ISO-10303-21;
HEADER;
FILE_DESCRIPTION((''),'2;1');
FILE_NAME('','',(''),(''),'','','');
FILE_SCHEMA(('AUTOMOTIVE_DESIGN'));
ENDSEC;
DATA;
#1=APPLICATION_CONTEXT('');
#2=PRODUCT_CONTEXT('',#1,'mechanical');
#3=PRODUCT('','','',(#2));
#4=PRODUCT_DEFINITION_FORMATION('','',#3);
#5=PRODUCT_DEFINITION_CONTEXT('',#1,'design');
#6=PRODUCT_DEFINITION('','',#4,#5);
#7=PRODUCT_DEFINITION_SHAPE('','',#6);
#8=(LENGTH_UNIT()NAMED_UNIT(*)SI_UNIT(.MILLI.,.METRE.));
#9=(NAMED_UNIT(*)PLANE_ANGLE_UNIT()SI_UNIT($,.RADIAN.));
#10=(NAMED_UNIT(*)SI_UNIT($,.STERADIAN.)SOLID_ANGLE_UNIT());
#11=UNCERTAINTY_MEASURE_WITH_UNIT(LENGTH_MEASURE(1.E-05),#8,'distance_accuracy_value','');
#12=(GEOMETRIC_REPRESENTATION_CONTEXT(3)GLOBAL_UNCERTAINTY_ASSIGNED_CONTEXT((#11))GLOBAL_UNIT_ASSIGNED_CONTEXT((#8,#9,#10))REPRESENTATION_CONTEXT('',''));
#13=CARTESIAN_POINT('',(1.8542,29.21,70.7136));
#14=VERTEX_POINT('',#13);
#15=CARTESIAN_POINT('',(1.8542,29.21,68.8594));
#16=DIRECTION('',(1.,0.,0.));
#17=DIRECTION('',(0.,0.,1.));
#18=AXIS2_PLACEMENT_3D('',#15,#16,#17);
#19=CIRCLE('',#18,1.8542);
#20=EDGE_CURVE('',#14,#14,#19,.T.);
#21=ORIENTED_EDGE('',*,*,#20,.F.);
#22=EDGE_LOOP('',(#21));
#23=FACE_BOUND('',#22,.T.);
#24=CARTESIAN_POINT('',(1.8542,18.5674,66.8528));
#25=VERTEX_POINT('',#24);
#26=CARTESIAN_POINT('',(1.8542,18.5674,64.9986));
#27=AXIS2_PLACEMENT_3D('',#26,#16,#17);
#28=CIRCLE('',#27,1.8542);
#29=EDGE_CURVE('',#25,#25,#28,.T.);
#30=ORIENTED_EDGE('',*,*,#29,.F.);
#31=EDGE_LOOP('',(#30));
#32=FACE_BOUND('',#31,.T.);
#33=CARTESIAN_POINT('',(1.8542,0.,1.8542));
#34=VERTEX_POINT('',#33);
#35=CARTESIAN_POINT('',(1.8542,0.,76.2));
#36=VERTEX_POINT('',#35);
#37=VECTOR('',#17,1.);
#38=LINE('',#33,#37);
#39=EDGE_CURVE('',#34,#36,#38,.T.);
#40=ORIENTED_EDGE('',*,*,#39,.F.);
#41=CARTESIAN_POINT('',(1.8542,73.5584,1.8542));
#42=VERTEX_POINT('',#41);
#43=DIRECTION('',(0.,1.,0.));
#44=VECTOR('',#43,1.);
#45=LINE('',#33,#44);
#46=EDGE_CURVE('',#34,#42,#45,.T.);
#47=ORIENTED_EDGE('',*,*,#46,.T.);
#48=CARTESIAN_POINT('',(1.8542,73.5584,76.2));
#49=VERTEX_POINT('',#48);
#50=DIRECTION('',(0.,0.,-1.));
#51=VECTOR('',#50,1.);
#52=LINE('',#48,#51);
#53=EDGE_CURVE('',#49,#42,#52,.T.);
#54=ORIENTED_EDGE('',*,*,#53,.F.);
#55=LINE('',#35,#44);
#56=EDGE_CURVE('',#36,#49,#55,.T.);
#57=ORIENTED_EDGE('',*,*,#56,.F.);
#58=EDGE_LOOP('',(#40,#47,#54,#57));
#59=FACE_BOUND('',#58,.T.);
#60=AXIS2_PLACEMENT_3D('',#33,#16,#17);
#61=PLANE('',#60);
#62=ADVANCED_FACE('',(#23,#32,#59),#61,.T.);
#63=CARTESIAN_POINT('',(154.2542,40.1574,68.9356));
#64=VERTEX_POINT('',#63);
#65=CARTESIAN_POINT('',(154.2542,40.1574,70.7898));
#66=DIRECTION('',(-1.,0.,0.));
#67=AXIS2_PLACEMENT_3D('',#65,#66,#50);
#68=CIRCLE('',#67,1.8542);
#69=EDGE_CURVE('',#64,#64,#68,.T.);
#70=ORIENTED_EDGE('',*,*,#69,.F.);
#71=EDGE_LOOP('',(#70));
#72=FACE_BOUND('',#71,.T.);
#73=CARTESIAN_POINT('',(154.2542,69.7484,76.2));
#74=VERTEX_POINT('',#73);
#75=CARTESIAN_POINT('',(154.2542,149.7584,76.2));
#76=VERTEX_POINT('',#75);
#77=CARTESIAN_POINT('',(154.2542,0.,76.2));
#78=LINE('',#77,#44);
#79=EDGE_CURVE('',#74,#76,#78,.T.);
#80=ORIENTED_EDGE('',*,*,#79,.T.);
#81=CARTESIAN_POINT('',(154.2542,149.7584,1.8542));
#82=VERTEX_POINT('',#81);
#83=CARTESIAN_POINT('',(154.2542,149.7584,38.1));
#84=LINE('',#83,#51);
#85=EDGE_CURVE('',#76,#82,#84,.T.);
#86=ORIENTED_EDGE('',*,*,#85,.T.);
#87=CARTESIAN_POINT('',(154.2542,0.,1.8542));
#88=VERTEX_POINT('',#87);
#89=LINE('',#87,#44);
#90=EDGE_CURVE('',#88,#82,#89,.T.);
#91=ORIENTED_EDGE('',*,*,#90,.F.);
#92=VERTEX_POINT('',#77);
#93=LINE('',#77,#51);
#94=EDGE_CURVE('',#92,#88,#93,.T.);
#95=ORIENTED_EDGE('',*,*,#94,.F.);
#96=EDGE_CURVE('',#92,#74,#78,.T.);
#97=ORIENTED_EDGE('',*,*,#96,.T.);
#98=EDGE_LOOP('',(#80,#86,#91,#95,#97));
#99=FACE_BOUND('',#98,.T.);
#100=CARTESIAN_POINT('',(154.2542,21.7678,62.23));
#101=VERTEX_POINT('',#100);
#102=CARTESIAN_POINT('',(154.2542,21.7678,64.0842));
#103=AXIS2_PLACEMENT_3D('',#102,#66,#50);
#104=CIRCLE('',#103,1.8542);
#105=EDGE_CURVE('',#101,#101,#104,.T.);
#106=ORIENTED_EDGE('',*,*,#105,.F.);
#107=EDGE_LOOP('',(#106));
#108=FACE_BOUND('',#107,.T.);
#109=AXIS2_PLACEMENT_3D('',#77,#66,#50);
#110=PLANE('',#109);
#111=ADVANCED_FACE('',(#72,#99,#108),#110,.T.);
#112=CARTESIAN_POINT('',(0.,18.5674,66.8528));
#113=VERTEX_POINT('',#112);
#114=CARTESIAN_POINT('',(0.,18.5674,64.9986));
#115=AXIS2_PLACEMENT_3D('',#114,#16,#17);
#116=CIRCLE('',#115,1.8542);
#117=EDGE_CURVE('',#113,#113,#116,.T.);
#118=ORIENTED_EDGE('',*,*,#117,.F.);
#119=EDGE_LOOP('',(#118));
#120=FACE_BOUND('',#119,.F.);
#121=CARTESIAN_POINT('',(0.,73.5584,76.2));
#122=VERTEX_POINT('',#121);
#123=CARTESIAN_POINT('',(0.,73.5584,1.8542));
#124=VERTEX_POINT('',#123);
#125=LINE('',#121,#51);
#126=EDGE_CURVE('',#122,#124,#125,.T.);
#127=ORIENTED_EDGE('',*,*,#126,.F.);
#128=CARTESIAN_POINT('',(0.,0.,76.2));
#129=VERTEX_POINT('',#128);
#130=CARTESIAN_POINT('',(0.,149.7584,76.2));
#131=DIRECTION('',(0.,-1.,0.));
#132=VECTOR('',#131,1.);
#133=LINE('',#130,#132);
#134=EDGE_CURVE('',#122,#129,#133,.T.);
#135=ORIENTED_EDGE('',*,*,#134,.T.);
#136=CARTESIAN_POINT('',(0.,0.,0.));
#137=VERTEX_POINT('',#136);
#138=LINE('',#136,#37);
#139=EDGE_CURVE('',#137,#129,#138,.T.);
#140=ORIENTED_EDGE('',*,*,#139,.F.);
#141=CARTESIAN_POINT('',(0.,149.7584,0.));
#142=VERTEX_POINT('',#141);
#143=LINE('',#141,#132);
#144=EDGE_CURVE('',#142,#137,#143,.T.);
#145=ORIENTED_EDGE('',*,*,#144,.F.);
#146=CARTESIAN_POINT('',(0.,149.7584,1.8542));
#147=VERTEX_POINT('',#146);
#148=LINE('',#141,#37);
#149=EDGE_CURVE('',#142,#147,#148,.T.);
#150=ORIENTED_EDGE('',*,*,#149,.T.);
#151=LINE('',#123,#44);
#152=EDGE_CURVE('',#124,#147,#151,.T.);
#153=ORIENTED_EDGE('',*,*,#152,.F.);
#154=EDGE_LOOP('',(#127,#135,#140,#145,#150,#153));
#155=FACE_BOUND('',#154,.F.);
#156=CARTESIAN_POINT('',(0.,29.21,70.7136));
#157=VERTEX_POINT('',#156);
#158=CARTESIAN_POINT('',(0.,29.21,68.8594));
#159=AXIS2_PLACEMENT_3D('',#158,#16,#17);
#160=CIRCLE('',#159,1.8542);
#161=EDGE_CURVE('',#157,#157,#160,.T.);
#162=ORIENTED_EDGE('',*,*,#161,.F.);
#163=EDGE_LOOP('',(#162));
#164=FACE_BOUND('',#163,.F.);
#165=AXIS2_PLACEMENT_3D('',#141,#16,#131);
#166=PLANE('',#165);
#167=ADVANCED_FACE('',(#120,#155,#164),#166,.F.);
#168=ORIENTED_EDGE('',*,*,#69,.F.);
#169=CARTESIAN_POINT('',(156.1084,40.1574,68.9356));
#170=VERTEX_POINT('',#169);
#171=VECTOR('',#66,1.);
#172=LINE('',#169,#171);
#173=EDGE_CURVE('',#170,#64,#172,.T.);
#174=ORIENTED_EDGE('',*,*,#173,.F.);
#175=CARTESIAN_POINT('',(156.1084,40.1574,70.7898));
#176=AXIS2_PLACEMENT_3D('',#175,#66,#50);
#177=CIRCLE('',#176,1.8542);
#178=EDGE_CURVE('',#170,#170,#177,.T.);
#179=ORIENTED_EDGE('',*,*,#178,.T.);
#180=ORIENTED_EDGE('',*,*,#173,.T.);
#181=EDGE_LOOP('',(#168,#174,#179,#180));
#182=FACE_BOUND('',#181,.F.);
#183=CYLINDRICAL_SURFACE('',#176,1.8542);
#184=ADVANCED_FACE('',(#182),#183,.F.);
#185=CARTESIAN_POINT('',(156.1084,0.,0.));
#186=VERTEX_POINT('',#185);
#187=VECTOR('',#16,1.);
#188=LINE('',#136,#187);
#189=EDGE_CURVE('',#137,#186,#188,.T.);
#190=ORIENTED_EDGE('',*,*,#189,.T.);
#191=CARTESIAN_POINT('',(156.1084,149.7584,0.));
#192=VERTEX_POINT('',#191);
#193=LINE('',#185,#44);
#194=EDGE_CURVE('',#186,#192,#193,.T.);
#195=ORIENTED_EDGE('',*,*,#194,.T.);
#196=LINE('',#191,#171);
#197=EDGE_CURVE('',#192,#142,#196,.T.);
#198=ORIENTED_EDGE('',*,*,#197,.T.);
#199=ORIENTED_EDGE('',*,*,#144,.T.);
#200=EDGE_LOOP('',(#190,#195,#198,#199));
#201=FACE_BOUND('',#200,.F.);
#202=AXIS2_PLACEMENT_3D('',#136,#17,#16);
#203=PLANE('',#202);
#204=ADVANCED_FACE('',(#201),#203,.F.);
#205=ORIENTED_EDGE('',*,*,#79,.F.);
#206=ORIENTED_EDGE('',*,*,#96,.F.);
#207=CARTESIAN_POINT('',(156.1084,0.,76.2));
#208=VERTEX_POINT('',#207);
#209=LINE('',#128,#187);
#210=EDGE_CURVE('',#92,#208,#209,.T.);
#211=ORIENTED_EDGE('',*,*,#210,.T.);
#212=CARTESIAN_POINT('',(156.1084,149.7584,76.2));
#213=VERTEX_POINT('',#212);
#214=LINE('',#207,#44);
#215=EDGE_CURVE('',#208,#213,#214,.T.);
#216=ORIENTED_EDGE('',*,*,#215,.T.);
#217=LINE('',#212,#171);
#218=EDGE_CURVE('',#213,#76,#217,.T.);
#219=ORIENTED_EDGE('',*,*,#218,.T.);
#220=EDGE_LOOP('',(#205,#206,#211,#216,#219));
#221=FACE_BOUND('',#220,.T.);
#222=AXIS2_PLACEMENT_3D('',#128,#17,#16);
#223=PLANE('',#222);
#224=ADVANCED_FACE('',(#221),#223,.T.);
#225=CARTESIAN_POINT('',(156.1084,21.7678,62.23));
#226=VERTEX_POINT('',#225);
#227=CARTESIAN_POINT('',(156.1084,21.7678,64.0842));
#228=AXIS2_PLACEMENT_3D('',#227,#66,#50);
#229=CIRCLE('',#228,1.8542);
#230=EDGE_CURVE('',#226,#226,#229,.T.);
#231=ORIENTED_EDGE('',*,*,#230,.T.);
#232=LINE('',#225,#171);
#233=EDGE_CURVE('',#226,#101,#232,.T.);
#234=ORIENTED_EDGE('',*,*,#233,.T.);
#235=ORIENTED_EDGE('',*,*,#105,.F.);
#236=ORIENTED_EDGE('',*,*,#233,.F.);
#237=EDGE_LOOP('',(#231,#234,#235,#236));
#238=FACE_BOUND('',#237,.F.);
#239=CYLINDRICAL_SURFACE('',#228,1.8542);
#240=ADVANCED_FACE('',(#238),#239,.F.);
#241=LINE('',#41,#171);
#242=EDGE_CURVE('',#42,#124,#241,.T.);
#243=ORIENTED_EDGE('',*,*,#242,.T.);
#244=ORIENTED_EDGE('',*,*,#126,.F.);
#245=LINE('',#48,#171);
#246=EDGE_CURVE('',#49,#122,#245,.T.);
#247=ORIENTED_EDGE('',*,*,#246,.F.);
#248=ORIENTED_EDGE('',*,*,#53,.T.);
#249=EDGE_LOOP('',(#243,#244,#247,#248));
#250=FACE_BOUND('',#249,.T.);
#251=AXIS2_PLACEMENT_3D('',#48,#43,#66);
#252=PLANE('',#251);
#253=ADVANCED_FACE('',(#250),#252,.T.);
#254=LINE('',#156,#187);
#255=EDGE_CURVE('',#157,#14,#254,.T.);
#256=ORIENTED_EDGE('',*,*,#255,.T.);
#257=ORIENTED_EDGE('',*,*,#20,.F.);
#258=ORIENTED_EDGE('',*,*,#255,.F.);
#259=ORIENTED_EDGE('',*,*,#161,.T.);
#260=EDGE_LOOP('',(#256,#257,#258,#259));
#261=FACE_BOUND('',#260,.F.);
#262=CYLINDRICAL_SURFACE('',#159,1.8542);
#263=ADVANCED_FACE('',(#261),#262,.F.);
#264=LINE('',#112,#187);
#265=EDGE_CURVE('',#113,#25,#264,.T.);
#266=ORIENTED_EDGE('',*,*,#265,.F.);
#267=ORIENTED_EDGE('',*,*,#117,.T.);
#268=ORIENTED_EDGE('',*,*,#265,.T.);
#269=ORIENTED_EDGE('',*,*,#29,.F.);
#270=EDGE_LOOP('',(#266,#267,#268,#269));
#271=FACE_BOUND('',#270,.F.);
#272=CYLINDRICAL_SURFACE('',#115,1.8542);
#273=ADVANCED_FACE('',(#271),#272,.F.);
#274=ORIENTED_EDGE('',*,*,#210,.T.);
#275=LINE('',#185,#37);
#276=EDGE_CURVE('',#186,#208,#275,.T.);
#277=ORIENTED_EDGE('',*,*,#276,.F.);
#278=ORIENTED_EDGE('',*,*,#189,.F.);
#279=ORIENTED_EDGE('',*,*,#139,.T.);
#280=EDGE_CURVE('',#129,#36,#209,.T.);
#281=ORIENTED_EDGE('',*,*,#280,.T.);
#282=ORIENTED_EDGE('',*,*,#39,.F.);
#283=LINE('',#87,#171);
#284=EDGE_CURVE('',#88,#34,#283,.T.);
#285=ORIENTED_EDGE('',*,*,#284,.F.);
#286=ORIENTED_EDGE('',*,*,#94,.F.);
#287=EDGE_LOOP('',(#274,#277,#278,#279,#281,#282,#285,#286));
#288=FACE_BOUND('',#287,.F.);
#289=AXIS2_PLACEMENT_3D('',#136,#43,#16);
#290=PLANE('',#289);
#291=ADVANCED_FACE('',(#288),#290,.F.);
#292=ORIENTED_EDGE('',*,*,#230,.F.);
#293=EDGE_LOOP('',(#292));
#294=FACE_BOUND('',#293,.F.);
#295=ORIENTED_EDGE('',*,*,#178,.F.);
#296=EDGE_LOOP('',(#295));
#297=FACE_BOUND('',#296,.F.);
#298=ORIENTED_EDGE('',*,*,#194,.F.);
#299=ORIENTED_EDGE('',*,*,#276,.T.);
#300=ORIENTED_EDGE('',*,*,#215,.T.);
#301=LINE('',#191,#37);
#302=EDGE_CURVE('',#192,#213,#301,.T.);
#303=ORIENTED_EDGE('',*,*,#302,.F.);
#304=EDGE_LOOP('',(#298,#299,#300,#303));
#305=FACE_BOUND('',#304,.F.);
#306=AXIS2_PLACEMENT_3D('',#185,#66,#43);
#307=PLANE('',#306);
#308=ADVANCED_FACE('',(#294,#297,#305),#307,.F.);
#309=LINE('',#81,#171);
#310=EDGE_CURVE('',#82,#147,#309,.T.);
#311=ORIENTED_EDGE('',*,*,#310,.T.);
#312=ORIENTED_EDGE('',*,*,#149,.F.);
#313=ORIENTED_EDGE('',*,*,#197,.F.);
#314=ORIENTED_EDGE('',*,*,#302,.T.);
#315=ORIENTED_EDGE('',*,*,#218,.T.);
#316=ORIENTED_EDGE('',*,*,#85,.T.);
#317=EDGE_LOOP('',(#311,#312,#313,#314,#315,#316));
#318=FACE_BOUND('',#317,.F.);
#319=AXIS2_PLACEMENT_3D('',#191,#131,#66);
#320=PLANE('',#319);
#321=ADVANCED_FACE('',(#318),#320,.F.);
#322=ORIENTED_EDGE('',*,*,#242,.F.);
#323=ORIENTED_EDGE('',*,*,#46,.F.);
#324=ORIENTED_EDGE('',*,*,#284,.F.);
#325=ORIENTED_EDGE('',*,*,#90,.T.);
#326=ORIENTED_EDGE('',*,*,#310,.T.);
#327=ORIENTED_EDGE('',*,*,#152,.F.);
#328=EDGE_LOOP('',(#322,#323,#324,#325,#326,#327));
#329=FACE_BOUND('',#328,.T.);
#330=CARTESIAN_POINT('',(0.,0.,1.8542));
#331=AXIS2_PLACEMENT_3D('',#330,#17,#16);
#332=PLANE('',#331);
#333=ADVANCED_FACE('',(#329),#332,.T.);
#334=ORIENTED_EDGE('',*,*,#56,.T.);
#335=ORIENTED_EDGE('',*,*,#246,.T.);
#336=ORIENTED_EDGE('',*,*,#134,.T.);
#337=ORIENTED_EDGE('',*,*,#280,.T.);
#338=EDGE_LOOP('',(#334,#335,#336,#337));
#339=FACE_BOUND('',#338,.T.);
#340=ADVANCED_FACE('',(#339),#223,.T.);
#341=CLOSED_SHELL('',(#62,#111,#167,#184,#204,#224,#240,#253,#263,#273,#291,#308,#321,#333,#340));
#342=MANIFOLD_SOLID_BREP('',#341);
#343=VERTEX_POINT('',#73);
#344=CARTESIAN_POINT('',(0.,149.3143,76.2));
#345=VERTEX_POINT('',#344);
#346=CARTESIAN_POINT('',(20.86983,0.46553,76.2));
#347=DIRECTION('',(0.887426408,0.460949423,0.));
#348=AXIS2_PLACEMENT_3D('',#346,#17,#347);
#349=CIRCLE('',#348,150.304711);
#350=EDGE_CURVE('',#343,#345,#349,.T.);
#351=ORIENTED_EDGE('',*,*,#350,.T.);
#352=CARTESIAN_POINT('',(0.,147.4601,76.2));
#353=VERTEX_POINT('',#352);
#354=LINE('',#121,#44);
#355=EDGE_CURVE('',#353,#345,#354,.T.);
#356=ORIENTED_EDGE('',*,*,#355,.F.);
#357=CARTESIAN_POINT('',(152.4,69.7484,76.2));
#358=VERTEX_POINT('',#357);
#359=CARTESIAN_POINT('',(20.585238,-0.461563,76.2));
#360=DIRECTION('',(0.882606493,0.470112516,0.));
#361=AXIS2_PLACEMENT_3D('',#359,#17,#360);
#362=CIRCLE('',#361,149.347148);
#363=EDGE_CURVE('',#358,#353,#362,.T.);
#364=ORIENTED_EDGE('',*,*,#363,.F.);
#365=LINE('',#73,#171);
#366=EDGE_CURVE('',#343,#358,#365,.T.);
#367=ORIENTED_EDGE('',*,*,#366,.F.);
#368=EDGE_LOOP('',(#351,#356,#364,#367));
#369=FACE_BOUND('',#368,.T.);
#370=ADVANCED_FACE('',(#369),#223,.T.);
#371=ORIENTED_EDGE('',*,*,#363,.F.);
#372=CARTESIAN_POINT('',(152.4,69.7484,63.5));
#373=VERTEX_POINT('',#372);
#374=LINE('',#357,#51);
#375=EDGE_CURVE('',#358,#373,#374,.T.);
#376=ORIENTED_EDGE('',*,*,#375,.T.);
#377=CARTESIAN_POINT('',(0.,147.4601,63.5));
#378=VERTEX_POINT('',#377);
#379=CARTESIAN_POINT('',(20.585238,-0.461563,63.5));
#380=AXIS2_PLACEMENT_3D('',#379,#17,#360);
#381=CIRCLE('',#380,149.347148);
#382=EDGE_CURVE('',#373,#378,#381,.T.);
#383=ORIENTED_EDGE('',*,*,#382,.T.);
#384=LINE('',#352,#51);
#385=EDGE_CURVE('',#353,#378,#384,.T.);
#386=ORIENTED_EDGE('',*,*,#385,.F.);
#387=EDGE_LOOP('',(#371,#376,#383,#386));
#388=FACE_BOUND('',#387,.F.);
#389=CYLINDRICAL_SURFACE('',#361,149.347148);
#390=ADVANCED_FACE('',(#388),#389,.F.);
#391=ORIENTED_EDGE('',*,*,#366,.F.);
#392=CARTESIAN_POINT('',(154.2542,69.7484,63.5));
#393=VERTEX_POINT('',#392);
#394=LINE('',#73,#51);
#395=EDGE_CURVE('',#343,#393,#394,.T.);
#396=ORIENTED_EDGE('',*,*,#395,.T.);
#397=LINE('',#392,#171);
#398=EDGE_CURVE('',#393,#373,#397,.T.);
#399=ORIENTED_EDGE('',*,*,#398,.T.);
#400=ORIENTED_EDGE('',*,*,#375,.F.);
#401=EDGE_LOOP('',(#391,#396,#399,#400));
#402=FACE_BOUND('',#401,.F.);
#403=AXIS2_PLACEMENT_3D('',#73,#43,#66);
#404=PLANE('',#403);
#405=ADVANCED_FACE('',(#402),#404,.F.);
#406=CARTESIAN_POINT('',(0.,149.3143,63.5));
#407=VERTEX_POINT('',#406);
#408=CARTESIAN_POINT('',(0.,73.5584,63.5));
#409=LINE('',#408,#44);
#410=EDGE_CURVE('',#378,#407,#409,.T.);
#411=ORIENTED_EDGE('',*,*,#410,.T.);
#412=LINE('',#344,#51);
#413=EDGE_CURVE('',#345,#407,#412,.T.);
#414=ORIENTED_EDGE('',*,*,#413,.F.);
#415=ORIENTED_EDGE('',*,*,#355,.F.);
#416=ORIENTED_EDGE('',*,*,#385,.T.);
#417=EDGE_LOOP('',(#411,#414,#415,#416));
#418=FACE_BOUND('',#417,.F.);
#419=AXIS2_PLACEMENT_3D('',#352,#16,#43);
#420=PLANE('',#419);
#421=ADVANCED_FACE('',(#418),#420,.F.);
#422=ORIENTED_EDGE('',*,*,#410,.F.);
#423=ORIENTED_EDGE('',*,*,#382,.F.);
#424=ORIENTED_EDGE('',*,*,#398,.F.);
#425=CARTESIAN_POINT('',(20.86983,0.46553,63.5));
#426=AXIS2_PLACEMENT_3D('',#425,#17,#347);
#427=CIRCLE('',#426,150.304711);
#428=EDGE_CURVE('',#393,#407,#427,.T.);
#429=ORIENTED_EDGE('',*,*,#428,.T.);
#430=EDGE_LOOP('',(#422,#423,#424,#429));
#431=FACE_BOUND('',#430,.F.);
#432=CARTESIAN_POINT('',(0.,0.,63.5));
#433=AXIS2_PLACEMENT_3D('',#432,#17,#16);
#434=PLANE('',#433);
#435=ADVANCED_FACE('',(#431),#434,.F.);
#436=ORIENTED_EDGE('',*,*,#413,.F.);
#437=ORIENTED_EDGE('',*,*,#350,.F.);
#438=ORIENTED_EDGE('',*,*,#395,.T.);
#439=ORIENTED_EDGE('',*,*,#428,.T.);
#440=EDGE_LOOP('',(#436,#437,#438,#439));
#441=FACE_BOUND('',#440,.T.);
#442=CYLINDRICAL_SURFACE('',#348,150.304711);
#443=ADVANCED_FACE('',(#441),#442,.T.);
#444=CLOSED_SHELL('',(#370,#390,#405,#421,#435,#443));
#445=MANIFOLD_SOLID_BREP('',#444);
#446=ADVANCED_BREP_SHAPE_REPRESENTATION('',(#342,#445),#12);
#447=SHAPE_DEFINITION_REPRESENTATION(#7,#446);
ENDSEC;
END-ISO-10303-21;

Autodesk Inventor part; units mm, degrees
ref_plane "YZ Plane" through (0, 0, 0) normal (1, 0, 0) x (0, 1, 0)
ref_plane "XZ Plane" through (0, 0, 0) normal (0, 1, 0) x (-1, 0, 0)
ref_plane "XY Plane" through (0, 0, 0) normal (0, 0, 1) x (1, 0, 0)
sketch "Sketch1" plane through (0, 0, 0) normal (0, 0, 1) x (1, 0, 0)
  line L0 (0, 0) -> (156.1084, 0)
  line L1 (156.1084, 0) -> (156.1084, 149.7584)
  line L2 (156.1084, 149.7584) -> (0, 149.7584)
  line L3 (0, 149.7584) -> (0, 0)
  dimension "d0" = 156.1084
  dimension "d1" = 149.7584
extrude "Extrusion1" add sketch "Sketch1" along normal blind 76.2
sketch "Sketch2" plane through (0, 0, 0) normal (0, -1, 0) x (1, 0, 0)
  line L0 (156.1084, 0) -> (156.1084, 76.2) projected
  line L1 (0, 0) -> (156.1084, 0) projected
  line L2 (0, 76.2) -> (156.1084, 76.2) projected
  line L3 (154.2542, 1.8542) -> (1.8542, 1.8542)
  line L4 (1.8542, 1.8542) -> (1.8542, 76.2)
  line L5 (1.8542, 76.2) -> (154.2542, 76.2)
  line L6 (154.2542, 76.2) -> (154.2542, 1.8542)
  dimension "d4" = 1.8542
  dimension "d5" = 1.8542
  dimension "d6" = 152.4
  dimension "d49" = 156.1084
extrude "Extrusion2" cut sketch "Sketch2" against normal blind 228.6
sketch "Sketch3" plane through (0, 0, 76.2) normal (0, 0, 1) x (1, 0, 0)
  line L0 (1.8542, 0) -> (1.8542, 149.7584) projected
  line L1 (0, 149.7584) -> (1.8542, 149.7584)
  line L2 (1.8542, 149.7584) -> (1.8542, 73.5584)
  line L3 (1.8542, 73.5584) -> (0, 73.5584)
  line L4 (0, 73.5584) -> (0, 149.7584)
  line L5 (1.8542, 149.7584) -> (154.2542, 149.7584) projected
  point P0 (0, 0)
  dimension "d9" = 76.2
extrude "Extrusion3" cut sketch "Sketch3" against normal blind 74.3458
sketch "Sketch9" plane through (0, 0, 76.2) normal (0, 0, 1) x (1, 0, 0)
  line L0 (154.2542, 149.7584) -> (154.2542, 0) projected
  line L1 (0, 73.5584) -> (0, 149.7584) projected
  arc A0 (154.2542, 69.7484) -> (0, 149.3143) centre (20.8699, 0.4656) ccw
  line L2 (0, 149.3143) -> (218.1484, 149.3143) construction
  line L3 (154.2542, 69.7484) -> (152.4, 69.7484)
  arc A1 (152.4, 69.7484) -> (0, 147.4601) centre (20.5853, -0.4615) ccw
  line L4 (156.1084, 149.7584) -> (154.2542, 149.7584) projected
  line L5 (0, 149.3143) -> (0, 147.4601)
  point P0 (0, 0)
  dimension "d23" = 1.8542
  dimension "d24" = 1.8542
  dimension "d50" = 0.9271
  dimension "d51" = 80.01
extrude "Extrusion7" add sketch "Sketch9" against normal blind 12.7
sketch "Sketch10" plane through (0, 0, 0) normal (-1, 0, 0) x (0, 0, 1)
  line L0 (0, 0) -> (76.2, 0) projected
  line L1 (76.2, 149.7584) -> (76.2, 0) projected
  point P0 (64.9986, 18.5674)
  point P1 (76.2, 73.5584)
  point P2 (68.8594, 29.21)
  dimension "d27" = 18.5674
  dimension "d28" = 11.2014
  dimension "d29" = 7.3406
  dimension "d30" = 29.21
hole "Hole1" at (0, 29.21, 68.8594) at (0, 18.5674, 64.9986) direction (1, 0, 0) diameter 3.7084 depth 1.8542
sketch "Sketch11" plane through (156.1084, 0, 0) normal (1, 0, 0) x (0, 0, -1)
  line L0 (0, 0) -> (-76.2, 0) projected
  line L1 (-76.2, 0) -> (-76.2, 149.7584) projected
  point P0 (-70.7898, 40.1574)
  point P1 (-64.0842, 21.7678)
  dimension "d38" = 40.1574
  dimension "d39" = 5.4102
  dimension "d40" = 12.1158
  dimension "d41" = 21.7678
hole "Hole2" at (156.1084, 40.1574, 70.7898) at (156.1084, 21.7678, 64.0842) direction (-1, 0, 0) diameter 3.7084 depth 1.8542
equation "\"d6\" = d49 - 2 * d5"
properties part number "Sorter" material "Aluminum 6061"
